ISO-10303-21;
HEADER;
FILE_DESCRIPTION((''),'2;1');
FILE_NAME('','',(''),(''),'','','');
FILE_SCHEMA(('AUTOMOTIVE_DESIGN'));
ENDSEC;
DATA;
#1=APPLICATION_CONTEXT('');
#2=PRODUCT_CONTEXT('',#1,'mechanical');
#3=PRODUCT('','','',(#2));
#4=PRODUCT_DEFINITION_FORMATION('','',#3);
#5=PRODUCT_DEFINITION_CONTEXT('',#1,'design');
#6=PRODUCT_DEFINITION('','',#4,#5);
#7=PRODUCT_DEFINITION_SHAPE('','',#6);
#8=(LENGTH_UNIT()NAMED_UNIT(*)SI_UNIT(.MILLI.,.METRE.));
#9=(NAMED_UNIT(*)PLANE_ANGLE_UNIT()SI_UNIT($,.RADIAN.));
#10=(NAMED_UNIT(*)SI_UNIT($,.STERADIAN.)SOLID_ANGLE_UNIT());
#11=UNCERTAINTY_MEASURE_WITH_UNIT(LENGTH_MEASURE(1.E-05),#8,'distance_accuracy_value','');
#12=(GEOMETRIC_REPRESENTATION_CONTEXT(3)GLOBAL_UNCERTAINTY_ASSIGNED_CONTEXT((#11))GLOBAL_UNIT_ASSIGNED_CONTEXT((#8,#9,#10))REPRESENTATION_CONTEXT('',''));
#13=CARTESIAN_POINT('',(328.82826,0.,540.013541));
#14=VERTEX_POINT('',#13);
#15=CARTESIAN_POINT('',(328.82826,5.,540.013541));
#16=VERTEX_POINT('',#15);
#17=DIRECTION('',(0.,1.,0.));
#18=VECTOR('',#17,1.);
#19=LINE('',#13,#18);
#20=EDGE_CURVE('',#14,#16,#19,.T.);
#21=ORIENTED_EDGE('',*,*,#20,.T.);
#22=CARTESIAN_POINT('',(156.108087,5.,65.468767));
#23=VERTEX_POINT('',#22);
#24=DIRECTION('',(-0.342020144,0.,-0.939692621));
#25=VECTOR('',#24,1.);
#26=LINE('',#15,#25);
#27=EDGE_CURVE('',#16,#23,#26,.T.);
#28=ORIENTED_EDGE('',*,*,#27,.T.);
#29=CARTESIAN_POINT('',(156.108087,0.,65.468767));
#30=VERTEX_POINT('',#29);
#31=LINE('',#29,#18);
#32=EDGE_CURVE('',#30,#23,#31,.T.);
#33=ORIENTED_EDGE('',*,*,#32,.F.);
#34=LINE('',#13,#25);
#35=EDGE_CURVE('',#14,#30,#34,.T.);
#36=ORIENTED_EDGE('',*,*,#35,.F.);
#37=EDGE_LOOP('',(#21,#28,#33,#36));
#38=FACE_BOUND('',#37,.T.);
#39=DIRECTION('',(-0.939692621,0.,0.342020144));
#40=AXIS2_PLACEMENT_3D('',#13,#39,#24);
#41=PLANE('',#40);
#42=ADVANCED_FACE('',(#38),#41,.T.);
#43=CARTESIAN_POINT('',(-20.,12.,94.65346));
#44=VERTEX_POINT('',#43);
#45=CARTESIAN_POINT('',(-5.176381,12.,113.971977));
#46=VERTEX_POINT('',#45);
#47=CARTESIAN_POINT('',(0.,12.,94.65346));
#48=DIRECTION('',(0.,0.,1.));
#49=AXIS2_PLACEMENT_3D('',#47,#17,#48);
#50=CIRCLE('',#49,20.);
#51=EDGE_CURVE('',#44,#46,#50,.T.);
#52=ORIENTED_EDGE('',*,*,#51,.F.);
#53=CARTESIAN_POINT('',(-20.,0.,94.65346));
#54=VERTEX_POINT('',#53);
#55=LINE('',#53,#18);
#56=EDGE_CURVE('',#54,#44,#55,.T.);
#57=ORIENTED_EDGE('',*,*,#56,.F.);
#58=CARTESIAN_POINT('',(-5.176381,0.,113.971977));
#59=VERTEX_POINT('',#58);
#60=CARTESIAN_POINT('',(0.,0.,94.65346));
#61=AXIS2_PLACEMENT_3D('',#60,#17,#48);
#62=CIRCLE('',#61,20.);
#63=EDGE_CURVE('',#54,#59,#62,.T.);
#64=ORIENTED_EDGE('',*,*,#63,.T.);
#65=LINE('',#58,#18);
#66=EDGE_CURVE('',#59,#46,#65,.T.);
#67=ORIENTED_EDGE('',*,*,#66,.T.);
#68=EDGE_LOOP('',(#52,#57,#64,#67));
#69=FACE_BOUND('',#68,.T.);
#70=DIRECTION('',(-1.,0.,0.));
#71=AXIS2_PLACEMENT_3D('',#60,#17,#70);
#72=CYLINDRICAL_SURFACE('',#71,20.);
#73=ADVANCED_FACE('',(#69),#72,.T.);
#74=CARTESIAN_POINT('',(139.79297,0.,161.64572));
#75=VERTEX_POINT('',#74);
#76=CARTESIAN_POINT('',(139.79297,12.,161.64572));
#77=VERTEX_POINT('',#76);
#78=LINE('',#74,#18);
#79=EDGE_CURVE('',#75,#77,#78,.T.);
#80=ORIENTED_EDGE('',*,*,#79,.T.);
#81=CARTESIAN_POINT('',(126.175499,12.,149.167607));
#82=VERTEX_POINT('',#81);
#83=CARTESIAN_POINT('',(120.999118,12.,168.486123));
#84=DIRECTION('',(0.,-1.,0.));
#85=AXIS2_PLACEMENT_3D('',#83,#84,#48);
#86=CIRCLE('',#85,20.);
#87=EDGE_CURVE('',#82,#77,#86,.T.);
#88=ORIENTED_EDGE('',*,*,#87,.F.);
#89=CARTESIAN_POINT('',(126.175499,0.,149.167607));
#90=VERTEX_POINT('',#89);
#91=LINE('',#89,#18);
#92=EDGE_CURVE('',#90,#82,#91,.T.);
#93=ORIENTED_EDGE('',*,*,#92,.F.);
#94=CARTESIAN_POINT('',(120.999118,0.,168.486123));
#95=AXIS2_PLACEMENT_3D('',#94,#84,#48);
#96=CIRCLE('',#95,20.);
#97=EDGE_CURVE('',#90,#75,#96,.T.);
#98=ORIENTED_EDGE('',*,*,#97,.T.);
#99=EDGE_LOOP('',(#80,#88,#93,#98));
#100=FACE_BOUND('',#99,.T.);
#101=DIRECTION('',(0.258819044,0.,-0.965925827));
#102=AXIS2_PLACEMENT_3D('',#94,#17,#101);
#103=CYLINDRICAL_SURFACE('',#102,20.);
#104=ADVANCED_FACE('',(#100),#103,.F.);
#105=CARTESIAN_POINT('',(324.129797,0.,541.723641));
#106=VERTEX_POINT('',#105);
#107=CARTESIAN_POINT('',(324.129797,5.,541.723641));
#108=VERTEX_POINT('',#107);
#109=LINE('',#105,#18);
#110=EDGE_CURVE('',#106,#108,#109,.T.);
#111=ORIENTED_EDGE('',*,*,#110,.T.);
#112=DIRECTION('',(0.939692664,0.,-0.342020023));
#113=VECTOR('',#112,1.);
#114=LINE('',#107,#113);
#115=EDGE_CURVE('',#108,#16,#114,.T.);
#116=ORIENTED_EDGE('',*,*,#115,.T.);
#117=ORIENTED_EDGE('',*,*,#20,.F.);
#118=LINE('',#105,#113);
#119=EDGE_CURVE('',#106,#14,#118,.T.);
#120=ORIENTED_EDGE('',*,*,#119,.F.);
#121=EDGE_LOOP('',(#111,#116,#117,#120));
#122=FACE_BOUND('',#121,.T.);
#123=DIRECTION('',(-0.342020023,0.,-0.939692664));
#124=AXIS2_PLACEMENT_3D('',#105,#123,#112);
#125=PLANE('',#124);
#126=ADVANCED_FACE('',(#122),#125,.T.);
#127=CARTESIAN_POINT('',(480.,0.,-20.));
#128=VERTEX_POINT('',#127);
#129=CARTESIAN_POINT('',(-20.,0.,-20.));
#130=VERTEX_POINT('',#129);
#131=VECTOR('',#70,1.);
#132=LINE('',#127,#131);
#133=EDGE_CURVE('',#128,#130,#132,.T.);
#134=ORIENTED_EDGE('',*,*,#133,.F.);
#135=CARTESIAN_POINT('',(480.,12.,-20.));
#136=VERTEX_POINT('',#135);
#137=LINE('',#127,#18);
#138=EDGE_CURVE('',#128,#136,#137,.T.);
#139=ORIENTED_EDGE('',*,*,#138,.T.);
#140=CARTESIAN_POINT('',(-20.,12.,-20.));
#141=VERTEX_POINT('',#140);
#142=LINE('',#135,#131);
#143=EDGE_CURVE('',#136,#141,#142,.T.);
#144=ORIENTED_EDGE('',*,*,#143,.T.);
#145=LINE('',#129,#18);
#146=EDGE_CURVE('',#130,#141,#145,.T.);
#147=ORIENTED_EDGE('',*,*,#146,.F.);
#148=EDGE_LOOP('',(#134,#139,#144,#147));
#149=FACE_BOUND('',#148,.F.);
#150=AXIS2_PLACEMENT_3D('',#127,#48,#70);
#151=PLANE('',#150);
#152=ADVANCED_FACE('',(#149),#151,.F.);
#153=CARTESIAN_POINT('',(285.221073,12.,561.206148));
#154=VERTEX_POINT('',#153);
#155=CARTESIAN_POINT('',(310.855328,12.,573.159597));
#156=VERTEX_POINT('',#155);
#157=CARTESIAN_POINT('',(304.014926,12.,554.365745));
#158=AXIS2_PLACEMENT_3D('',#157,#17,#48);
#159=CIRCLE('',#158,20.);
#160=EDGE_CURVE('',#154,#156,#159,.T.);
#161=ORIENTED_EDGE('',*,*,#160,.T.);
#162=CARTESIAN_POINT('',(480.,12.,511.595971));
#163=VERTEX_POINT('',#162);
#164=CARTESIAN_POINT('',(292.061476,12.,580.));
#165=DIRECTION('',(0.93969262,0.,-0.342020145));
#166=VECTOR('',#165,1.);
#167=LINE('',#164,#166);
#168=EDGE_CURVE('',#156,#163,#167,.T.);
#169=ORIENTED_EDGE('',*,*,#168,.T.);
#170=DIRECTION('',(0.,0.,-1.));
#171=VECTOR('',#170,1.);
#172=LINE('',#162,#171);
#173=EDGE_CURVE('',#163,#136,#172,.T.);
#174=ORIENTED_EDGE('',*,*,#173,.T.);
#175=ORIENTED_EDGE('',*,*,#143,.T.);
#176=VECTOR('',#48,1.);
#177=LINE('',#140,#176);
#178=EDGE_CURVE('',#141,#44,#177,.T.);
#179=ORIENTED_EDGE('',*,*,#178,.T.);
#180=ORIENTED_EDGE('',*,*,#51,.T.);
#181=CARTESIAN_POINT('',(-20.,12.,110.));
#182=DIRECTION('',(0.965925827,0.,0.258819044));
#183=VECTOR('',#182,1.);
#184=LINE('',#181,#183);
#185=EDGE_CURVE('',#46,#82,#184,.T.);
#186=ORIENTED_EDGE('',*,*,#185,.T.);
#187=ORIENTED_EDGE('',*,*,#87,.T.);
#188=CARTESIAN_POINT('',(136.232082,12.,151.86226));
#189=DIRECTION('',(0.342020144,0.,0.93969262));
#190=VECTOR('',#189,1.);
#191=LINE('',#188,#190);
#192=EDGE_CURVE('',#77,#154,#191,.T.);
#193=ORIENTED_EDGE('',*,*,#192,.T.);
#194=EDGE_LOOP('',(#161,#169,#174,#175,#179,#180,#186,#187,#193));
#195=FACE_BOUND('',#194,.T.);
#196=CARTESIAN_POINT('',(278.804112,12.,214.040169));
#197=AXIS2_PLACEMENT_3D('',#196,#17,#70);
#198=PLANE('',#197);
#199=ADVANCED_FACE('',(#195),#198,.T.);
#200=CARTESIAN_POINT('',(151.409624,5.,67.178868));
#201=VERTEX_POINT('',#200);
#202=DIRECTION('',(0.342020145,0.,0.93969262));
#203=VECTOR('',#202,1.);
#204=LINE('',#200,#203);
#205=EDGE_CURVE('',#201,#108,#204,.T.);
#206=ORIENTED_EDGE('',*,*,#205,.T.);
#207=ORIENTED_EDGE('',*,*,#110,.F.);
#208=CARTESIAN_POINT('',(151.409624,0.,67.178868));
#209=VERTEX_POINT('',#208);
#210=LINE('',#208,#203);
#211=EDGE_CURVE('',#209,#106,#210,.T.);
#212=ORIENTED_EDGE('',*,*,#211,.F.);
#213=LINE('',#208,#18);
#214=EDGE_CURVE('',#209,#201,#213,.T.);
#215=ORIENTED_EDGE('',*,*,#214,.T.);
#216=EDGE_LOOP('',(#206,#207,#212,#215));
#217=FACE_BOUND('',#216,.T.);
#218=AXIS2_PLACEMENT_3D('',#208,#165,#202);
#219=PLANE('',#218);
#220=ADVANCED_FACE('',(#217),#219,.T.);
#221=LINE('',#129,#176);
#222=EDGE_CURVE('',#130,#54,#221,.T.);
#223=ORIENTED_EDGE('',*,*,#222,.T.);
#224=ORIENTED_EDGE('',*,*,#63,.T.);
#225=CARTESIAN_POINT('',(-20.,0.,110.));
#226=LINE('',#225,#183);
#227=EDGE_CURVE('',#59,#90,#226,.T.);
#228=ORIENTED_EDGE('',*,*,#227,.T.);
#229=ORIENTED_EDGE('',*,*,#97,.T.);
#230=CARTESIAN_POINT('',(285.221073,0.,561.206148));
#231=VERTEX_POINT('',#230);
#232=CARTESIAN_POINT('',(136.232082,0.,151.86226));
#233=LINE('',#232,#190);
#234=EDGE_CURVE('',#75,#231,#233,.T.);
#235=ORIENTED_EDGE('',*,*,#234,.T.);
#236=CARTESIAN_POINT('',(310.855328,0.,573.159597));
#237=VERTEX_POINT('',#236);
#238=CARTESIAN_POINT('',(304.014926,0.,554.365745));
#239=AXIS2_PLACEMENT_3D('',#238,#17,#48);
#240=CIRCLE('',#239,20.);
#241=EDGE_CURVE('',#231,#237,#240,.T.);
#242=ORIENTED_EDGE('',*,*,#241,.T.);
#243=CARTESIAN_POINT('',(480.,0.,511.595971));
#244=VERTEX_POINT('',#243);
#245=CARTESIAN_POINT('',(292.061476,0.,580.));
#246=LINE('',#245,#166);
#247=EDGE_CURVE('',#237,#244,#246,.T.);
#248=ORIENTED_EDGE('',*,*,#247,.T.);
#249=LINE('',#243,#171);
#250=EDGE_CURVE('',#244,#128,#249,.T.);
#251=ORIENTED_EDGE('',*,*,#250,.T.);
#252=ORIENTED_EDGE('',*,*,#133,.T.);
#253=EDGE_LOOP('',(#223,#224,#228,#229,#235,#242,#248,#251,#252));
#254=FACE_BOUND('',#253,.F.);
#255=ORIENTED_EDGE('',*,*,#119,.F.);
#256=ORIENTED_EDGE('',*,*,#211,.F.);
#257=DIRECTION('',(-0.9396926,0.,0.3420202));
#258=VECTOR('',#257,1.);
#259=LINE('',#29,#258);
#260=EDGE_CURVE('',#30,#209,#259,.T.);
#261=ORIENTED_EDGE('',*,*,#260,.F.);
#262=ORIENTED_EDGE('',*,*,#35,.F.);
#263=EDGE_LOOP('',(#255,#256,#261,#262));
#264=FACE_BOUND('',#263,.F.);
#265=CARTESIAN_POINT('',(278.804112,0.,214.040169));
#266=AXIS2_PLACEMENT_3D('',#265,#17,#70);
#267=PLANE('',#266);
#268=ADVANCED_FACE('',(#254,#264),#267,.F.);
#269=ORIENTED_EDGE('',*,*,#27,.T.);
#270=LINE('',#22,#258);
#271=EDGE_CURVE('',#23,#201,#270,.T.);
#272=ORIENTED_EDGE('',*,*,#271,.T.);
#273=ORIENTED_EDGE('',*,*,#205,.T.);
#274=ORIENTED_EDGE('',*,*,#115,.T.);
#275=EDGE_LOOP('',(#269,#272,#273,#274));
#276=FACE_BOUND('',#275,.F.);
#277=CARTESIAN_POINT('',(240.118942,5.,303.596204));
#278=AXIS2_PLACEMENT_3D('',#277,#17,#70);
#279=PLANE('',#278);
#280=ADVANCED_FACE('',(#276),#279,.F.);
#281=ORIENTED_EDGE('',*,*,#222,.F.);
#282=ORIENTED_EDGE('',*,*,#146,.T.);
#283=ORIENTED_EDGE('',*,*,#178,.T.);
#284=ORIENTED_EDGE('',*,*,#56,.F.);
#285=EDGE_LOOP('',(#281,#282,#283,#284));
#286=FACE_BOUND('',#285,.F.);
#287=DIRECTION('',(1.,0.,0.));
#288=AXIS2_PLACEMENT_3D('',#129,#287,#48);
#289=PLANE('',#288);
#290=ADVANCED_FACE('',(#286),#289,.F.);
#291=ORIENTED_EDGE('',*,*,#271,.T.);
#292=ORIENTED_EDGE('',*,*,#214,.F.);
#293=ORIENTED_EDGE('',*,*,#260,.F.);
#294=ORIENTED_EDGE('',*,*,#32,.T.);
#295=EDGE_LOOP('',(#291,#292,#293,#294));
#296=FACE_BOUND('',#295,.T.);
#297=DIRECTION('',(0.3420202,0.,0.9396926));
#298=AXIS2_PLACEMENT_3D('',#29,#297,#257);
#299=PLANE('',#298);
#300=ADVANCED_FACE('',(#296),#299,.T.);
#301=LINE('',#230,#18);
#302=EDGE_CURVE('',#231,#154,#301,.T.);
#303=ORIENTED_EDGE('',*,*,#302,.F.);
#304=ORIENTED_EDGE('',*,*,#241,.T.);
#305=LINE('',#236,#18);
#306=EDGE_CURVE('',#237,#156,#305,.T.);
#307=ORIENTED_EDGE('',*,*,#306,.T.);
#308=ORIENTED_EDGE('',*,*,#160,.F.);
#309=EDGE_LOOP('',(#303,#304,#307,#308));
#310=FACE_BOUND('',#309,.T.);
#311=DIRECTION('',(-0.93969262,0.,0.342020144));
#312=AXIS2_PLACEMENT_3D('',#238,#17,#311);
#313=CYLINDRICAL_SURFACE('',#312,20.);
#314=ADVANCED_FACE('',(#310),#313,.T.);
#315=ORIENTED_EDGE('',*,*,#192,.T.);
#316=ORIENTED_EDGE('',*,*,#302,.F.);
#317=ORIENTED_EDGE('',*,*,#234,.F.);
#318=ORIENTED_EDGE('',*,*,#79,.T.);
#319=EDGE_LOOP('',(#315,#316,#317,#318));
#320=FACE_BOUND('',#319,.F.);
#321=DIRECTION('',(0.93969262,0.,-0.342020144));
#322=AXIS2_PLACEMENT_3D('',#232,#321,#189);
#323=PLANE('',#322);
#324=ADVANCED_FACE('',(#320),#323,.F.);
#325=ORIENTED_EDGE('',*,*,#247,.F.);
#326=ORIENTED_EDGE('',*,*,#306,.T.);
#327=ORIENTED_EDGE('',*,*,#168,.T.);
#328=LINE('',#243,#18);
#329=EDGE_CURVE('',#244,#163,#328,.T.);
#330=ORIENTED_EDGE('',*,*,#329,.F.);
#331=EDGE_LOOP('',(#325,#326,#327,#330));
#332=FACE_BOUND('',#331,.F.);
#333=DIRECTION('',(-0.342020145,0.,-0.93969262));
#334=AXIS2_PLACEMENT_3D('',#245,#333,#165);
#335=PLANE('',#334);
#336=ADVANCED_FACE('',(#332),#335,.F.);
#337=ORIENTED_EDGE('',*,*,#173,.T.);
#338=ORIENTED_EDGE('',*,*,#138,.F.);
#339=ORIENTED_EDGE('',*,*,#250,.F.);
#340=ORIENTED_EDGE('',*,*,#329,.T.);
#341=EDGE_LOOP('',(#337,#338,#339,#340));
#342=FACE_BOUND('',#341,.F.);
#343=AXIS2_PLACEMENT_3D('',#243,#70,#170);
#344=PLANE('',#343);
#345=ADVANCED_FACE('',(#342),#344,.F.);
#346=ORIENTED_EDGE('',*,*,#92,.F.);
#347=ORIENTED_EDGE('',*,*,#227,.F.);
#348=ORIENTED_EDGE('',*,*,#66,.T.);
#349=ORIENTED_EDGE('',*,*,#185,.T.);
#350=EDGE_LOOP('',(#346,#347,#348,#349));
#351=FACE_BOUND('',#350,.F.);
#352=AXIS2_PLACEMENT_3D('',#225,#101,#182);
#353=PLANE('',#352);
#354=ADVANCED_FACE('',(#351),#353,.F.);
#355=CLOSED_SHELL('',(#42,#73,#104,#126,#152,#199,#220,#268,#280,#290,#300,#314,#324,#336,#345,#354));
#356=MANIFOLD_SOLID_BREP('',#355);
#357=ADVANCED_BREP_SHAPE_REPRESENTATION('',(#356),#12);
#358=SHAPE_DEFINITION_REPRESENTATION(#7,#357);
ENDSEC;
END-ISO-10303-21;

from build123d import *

# Parameters (mm, degrees)
PAD_DEPTH       = 12
POCKET_DEPTH    = 1
FILLET_R        = 20
FILLET001_R     = 20
FILLET002_R     = 20
POCKET001_DEPTH = 5


with BuildPart() as part:
    # Sketch001 → Pad (new body)
    with BuildSketch(Plane.XZ):
        Polygon((-20, -20), (-20, 110), (136.232082, 151.86226), (292.061476, 580), (480, 511.595971), (480, -20), align=None)
    extrude(amount=-PAD_DEPTH)

    # Sketch002 (on Face7 of Pad) → Pocket (cut)
    with BuildSketch(Plane.XZ):
        Polygon((465, -5), (465, 501.092858), (301.026563, 560.774309), (147.656805, 139.394363), (-5, 98.490095), (-5, -5), align=None)
    extrude(amount=POCKET_DEPTH, mode=Mode.SUBTRACT)

    # Fillet
    fillet_edges = [part.edges().sort_by_distance(p)[0] for p in [
        (-20, 6, 110),
    ]]
    fillet(fillet_edges, radius=FILLET_R)

    # Fillet001
    fillet001_edges = [part.edges().sort_by_distance(p)[0] for p in [
        (136.232082, 6, 151.86226),
    ]]
    fillet(fillet001_edges, radius=FILLET001_R)

    # Fillet002
    fillet002_edges = [part.edges().sort_by_distance(p)[0] for p in [
        (292.061476, 6, 580),
    ]]
    fillet(fillet002_edges, radius=FILLET002_R)

    # Sketch003 (on Face7 of Pocket) → Pocket001 (cut)
    with BuildSketch(Plane.XZ):
        Polygon((328.82826, 540.013541), (156.108087, 65.468767), (151.409624, 67.178868), (324.129797, 541.723641), align=None)
    extrude(amount=-POCKET001_DEPTH, mode=Mode.SUBTRACT)


solid = part.part
